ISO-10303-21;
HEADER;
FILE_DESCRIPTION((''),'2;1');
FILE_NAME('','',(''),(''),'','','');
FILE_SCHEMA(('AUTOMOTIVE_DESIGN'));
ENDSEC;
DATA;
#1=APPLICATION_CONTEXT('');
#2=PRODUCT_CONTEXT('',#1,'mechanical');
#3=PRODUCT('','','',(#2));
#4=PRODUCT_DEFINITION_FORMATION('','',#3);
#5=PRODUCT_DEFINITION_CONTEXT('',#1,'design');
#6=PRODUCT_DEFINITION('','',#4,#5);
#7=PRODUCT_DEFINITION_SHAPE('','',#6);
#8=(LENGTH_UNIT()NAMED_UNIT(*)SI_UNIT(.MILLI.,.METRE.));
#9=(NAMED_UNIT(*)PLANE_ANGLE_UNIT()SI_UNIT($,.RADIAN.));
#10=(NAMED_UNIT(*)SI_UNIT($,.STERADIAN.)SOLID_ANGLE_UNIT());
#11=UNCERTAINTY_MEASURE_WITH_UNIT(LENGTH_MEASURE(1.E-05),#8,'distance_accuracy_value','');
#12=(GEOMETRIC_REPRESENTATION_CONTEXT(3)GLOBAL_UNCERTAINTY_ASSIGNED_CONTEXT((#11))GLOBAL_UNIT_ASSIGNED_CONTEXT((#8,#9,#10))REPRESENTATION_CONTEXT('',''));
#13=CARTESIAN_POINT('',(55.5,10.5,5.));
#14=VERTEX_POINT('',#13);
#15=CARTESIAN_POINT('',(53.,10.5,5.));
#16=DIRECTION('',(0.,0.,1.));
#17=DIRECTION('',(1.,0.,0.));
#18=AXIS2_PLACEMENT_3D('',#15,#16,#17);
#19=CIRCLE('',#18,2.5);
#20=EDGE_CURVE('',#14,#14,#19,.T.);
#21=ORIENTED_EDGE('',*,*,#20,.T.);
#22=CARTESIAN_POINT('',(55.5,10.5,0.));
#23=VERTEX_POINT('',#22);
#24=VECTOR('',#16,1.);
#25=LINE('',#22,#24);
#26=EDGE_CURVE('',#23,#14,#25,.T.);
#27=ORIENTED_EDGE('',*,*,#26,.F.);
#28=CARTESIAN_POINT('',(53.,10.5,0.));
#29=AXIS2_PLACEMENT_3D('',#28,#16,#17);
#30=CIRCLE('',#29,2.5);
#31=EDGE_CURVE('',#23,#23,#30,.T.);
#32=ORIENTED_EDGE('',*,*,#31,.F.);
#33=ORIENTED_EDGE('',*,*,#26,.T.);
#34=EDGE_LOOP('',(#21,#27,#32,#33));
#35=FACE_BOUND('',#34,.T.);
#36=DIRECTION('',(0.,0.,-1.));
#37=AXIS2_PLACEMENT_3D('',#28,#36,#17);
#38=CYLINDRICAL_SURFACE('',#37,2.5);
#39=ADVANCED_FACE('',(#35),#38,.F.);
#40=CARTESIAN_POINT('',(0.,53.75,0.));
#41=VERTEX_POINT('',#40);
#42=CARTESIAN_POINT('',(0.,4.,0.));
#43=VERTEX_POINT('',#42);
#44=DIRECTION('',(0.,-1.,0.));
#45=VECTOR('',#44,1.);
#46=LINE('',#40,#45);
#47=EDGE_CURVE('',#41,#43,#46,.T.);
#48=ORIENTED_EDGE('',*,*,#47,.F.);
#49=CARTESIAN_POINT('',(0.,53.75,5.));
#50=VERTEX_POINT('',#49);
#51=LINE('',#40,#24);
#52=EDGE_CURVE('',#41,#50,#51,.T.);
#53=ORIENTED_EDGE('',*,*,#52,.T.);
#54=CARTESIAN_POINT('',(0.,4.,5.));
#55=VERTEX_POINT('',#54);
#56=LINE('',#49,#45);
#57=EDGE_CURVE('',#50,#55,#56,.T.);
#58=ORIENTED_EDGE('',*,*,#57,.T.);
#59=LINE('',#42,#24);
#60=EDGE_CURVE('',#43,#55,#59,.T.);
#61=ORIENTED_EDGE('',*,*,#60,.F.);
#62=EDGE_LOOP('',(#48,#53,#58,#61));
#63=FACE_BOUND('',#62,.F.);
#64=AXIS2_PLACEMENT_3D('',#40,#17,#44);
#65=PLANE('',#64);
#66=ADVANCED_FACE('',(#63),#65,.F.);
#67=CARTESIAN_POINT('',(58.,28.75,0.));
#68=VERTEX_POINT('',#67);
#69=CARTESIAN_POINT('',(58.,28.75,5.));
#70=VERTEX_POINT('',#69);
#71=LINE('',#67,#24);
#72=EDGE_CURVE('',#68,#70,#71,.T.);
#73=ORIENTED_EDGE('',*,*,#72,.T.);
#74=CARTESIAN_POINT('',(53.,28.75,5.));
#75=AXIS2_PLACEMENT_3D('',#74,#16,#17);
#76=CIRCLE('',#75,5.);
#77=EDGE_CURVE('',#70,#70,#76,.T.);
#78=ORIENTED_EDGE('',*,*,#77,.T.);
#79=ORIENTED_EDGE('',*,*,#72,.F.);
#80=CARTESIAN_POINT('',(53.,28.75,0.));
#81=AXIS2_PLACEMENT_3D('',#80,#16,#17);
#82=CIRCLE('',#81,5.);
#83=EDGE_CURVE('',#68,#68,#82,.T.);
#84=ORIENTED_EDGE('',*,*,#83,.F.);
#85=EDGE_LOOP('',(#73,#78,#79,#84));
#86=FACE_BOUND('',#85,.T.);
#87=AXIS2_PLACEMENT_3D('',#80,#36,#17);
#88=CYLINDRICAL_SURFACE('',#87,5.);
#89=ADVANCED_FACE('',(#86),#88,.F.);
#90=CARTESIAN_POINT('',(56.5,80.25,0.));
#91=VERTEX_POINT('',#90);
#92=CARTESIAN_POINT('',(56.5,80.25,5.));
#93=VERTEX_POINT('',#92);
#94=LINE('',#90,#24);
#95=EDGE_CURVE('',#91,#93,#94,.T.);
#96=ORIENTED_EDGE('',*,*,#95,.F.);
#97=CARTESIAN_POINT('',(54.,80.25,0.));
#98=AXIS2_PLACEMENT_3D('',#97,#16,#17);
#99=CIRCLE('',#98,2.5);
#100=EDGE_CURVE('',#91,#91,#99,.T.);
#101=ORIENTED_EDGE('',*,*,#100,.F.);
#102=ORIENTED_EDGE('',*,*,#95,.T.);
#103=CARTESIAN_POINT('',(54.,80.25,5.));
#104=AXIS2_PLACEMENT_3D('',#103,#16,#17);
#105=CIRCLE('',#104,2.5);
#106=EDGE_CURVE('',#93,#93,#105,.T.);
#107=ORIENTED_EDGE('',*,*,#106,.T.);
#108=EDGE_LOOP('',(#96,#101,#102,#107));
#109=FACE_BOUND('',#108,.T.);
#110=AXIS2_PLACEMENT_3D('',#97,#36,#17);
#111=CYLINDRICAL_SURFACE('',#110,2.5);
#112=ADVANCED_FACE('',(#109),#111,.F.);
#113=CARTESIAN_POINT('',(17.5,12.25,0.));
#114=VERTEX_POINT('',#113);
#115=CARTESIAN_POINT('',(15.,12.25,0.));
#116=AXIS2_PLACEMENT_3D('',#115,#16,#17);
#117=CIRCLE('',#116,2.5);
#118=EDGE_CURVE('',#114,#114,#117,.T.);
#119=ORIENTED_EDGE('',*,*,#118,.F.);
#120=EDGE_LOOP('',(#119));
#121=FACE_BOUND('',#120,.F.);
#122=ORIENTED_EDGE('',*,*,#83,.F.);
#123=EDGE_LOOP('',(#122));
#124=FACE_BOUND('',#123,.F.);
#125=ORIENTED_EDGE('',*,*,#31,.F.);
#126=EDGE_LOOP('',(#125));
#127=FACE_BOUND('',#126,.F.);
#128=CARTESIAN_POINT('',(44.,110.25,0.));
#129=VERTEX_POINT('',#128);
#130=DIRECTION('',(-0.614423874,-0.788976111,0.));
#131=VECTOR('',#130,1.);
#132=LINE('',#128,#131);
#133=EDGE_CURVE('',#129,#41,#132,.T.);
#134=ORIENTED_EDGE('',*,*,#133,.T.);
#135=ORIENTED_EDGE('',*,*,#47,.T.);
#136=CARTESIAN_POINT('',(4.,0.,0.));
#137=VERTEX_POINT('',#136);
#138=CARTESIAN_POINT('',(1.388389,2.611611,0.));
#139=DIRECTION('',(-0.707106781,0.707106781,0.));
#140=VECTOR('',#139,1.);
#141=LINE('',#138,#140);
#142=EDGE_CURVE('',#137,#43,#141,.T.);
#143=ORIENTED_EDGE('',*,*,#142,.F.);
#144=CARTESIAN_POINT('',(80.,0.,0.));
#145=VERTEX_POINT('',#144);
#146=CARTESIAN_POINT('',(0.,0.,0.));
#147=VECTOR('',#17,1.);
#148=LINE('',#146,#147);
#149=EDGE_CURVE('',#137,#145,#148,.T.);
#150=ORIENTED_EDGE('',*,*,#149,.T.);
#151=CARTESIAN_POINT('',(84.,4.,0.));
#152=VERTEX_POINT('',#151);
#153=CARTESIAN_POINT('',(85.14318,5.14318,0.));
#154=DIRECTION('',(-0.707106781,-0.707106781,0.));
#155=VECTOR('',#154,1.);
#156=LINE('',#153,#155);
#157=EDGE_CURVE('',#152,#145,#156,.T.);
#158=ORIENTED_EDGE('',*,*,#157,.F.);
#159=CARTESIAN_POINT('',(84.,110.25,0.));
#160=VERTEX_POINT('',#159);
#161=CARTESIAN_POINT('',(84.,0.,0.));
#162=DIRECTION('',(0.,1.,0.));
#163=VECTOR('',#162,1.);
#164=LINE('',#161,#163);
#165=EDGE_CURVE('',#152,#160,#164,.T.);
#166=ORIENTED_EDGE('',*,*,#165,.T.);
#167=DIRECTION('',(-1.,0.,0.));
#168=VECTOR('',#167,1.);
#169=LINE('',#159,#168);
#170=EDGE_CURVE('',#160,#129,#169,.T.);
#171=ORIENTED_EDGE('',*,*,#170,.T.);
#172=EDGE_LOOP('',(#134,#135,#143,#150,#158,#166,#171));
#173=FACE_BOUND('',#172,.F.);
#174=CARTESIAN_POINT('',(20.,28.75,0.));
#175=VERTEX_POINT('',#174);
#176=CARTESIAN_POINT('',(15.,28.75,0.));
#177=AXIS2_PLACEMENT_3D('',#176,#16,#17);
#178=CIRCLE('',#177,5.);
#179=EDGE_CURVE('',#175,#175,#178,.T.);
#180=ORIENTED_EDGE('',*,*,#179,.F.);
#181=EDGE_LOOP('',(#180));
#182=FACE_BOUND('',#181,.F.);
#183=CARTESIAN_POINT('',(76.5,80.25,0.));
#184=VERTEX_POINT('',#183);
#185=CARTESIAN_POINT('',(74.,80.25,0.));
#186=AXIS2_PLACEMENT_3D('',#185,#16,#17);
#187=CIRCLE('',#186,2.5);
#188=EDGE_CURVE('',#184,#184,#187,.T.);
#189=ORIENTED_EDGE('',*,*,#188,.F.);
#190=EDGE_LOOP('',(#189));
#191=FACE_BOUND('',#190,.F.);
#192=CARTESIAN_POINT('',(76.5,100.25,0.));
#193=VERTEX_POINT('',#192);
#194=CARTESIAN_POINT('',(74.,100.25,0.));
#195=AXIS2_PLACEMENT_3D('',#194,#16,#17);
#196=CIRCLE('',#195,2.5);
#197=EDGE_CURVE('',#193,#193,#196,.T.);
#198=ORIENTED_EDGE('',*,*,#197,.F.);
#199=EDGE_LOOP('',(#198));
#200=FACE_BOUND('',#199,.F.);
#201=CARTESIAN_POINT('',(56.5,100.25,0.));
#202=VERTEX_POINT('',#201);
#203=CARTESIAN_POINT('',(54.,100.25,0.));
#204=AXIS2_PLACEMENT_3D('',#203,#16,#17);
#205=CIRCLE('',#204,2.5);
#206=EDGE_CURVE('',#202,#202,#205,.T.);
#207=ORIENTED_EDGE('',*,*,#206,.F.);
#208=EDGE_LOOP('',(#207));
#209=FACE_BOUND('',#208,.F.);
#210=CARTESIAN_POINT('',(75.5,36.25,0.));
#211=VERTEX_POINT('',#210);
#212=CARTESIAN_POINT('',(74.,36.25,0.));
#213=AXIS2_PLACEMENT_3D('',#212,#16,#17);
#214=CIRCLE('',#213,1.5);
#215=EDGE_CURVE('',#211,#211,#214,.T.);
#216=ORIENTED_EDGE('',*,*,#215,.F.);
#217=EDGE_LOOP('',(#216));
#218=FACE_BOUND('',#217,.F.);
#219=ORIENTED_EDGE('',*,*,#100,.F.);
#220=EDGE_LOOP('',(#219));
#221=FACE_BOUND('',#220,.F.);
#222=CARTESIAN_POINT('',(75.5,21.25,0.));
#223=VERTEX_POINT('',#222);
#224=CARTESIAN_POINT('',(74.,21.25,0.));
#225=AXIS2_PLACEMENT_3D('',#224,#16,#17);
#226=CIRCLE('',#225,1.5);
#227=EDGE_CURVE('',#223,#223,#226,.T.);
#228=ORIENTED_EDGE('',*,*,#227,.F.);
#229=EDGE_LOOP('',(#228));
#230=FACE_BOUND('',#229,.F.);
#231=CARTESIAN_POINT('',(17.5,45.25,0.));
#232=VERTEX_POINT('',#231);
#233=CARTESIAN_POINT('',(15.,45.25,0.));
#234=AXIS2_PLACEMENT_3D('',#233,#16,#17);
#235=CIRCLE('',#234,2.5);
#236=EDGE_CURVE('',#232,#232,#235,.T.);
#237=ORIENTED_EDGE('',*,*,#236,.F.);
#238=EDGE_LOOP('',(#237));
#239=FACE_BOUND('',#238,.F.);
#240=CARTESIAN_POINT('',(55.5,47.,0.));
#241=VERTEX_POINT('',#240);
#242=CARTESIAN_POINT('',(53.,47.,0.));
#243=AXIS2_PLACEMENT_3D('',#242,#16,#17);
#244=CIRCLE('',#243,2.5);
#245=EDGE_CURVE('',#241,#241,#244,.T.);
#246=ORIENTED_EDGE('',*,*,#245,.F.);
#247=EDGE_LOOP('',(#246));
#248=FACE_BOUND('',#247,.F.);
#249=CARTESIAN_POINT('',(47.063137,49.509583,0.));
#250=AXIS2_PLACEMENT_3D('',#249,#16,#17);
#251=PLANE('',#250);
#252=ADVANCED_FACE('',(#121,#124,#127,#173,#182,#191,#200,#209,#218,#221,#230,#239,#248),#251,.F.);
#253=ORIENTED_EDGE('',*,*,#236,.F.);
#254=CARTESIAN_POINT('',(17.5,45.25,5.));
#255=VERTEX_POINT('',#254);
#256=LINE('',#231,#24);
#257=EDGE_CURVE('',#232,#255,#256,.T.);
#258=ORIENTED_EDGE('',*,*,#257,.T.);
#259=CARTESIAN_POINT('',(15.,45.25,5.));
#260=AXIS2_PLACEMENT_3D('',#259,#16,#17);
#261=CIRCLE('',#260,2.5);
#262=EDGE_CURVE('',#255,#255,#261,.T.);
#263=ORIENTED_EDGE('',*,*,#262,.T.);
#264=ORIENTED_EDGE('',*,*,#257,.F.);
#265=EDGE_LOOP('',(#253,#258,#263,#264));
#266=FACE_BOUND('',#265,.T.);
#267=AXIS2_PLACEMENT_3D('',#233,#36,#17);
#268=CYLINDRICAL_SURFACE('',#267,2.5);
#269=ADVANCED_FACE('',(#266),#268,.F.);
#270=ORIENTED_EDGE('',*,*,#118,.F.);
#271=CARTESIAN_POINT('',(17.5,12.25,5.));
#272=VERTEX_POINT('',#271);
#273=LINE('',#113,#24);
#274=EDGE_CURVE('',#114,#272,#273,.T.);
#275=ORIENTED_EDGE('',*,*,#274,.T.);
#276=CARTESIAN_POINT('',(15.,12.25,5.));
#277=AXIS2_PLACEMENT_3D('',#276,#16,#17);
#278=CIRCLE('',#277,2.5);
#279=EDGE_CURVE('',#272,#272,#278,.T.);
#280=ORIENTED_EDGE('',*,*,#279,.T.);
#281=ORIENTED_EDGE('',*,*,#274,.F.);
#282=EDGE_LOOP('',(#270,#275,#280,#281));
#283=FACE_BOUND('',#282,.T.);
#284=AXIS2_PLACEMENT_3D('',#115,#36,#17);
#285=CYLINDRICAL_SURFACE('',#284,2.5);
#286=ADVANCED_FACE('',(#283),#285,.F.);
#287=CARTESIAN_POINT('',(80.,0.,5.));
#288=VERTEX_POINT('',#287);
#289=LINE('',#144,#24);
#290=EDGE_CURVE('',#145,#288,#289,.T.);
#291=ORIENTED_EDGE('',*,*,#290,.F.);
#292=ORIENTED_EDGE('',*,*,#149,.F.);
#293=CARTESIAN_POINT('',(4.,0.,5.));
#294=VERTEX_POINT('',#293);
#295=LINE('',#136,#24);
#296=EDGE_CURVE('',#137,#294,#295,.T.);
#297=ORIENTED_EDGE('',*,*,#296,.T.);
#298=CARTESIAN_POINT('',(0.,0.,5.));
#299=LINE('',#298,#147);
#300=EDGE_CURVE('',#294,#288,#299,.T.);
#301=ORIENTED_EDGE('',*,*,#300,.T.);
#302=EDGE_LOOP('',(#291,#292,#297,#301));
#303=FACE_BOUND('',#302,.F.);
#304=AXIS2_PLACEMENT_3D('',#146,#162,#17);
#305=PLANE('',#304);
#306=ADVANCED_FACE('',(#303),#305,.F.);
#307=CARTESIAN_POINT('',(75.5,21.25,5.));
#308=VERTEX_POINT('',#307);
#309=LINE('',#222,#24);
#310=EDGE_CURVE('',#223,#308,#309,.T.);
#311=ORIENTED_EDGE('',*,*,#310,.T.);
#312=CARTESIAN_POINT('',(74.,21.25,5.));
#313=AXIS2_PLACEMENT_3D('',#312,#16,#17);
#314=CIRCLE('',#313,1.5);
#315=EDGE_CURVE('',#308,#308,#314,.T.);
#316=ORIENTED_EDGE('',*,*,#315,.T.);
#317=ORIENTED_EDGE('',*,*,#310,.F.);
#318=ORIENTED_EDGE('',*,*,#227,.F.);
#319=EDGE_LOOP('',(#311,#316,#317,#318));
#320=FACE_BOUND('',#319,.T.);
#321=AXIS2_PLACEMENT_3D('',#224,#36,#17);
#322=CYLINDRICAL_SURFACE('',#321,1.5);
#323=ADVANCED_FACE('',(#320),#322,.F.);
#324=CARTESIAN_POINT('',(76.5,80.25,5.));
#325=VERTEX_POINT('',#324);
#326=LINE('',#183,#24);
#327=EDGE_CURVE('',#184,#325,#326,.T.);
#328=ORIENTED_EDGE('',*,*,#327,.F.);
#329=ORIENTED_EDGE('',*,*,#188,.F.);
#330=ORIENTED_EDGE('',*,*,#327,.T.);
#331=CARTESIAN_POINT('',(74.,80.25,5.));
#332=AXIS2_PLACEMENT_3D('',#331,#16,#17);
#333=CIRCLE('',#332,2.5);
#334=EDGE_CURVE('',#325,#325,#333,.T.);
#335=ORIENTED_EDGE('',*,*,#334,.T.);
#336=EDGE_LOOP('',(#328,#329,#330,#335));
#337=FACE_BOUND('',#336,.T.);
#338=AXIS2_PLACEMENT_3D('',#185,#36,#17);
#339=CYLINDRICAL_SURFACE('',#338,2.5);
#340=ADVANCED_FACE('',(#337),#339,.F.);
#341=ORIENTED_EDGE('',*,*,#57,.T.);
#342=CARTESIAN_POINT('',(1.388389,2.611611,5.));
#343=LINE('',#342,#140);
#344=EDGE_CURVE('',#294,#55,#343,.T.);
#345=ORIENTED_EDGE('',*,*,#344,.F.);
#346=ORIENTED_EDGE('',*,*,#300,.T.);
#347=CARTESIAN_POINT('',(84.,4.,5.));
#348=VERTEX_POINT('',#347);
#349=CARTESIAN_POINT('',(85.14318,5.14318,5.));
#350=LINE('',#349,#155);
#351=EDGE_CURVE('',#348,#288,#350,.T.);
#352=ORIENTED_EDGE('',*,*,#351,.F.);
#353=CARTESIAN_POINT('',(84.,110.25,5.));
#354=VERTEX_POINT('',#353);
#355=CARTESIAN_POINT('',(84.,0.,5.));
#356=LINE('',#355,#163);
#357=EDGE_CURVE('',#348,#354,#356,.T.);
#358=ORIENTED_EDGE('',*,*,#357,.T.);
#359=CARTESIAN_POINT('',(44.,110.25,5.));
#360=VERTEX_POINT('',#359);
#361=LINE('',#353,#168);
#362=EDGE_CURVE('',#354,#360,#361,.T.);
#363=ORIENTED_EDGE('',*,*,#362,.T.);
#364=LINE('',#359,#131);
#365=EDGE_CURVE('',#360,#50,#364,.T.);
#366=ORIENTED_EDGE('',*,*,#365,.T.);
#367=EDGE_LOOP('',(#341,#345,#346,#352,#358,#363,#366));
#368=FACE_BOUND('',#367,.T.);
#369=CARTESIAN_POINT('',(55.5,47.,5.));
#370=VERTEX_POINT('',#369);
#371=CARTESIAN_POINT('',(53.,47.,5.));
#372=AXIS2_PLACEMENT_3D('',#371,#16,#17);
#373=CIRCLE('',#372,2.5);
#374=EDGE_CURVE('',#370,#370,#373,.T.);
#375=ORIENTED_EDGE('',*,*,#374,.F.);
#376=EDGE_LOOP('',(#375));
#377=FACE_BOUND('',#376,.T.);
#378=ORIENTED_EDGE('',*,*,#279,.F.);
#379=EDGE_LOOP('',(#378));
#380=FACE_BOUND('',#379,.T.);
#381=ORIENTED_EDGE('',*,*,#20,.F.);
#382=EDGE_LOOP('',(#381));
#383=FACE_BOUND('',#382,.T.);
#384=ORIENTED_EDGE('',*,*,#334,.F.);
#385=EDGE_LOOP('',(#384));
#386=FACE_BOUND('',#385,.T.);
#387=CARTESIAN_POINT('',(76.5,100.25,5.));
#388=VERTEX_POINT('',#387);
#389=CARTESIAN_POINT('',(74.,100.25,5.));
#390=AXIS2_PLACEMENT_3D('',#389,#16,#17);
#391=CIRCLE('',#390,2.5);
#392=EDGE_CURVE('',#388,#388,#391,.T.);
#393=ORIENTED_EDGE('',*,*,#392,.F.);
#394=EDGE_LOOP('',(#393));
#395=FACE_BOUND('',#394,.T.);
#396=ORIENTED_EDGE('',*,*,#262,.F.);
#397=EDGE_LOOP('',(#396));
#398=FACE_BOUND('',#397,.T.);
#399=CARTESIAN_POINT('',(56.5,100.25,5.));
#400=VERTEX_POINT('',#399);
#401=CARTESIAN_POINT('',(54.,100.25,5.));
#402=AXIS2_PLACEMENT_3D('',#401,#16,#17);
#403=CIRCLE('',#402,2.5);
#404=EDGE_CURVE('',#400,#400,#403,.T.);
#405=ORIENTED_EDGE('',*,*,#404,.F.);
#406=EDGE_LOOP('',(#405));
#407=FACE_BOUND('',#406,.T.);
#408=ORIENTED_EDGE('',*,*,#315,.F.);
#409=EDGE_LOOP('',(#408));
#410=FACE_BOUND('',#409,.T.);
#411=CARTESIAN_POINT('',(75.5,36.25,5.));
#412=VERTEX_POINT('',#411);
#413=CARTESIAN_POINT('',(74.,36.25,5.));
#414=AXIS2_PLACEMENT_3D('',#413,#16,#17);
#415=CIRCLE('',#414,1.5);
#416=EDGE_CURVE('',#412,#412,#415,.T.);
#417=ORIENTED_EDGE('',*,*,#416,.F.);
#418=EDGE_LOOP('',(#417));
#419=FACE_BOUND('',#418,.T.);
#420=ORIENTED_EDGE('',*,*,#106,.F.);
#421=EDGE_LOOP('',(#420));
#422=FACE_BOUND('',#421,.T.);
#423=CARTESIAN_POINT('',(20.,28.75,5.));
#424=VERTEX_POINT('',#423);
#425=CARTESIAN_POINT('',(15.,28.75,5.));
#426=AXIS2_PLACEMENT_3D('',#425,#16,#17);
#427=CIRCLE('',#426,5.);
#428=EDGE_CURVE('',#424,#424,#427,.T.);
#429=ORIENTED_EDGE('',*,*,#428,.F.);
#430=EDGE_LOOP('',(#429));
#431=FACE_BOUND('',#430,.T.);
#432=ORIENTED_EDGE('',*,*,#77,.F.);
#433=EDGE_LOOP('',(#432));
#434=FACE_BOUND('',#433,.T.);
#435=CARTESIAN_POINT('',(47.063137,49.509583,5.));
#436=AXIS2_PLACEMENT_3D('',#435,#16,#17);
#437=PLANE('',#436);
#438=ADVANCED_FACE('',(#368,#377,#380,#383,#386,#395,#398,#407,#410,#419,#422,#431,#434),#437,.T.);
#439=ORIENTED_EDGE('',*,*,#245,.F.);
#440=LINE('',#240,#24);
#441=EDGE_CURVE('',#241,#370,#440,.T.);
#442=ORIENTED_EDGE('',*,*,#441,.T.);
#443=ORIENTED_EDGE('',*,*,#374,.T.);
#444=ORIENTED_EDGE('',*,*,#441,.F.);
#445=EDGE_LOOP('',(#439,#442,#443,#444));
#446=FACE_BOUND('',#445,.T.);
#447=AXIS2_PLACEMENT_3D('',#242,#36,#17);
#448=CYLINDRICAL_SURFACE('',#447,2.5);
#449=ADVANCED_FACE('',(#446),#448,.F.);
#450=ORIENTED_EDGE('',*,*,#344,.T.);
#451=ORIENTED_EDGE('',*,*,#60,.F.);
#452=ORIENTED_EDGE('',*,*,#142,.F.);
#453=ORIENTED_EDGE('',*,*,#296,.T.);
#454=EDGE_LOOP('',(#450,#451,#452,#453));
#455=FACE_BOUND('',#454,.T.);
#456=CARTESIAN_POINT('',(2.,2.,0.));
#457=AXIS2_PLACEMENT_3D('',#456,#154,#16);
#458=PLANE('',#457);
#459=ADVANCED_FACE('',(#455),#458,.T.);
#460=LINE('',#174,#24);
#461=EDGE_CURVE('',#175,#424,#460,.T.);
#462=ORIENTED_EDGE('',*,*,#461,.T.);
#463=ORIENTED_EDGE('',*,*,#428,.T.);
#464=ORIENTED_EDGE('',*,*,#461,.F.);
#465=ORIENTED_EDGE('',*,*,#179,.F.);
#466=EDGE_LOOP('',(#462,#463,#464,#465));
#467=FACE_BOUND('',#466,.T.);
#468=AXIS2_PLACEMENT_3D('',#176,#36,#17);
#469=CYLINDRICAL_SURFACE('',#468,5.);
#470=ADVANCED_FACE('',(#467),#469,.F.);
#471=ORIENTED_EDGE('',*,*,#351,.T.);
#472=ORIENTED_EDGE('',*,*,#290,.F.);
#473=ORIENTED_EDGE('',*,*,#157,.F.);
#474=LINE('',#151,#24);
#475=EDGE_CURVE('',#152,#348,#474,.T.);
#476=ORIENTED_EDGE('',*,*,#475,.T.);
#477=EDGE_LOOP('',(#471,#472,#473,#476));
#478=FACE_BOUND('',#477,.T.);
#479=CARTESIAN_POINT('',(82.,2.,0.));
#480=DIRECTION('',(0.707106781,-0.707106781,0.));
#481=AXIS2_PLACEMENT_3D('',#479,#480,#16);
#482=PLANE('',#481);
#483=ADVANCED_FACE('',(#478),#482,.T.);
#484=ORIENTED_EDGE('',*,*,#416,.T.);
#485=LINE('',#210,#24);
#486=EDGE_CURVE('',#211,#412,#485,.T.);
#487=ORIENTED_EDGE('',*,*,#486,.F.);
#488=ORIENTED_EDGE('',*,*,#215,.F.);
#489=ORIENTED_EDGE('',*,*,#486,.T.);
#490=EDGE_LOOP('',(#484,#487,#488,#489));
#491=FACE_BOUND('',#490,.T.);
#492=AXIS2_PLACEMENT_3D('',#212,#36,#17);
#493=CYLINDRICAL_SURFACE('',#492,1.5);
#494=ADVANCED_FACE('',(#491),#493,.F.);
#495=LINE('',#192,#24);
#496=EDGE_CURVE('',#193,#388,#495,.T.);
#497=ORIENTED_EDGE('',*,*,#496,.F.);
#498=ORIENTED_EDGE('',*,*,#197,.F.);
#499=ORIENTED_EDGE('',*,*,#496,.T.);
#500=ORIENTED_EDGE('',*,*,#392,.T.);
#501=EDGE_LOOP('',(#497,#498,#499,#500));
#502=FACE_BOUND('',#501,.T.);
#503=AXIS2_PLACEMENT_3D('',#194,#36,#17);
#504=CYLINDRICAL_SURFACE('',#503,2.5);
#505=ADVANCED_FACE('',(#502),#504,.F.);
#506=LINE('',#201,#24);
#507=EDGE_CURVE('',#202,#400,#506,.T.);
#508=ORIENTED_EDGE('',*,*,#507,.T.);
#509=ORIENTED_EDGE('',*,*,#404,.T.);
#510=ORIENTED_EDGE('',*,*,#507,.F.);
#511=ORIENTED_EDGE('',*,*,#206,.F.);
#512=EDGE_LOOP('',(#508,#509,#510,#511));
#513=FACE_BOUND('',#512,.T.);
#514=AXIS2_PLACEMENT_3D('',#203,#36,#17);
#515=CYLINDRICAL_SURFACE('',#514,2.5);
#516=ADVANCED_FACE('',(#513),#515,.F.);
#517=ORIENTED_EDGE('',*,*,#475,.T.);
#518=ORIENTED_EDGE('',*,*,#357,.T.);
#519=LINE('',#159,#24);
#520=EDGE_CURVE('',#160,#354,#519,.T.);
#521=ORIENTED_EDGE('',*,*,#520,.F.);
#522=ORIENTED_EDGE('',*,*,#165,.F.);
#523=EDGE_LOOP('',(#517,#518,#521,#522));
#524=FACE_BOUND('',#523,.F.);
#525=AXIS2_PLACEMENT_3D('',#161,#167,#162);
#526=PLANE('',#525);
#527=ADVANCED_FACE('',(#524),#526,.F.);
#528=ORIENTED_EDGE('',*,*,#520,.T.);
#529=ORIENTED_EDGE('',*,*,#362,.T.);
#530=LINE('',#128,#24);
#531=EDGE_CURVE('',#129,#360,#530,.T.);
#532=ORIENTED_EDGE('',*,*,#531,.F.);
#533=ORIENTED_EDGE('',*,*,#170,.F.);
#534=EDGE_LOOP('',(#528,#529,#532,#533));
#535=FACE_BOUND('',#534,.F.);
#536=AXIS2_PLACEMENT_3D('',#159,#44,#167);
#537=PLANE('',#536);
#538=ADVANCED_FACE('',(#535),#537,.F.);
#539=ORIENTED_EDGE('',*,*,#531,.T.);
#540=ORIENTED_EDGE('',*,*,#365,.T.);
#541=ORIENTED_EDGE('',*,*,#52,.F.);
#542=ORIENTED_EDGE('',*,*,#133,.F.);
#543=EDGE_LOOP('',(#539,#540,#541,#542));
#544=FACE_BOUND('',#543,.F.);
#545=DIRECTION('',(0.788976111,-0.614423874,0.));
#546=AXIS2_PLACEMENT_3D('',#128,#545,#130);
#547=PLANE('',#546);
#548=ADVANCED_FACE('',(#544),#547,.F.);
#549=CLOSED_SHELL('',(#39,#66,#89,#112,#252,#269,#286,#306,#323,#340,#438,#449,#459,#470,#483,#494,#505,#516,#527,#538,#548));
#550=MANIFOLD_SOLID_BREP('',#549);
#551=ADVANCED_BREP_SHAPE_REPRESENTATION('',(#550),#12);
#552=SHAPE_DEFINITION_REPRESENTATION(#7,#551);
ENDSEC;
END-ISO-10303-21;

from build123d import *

# Parameters (mm, degrees)
SKETCH_R     = 2.5
SKETCH_R_2   = 5
SKETCH_R_3   = 1.5
PAD_DEPTH    = 5
CHAMFER_SIZE = 4


with BuildPart() as part:
    # Sketch → Pad (new body)
    with BuildSketch(Plane.XY):
        Polygon((84, 110.25), (44, 110.25), (0, 53.75), (0, 0), (84, 0), align=None)
        with Locations((15, 45.25)):
            Circle(SKETCH_R, mode=Mode.SUBTRACT)
        with Locations((15, 12.25)):
            Circle(SKETCH_R, mode=Mode.SUBTRACT)
        with Locations((15, 28.75)):
            Circle(SKETCH_R_2, mode=Mode.SUBTRACT)
        with Locations((53, 47)):
            Circle(SKETCH_R, mode=Mode.SUBTRACT)
        with Locations((53, 28.75)):
            Circle(SKETCH_R_2, mode=Mode.SUBTRACT)
        with Locations((53, 10.5)):
            Circle(SKETCH_R, mode=Mode.SUBTRACT)
        with Locations((54, 80.25)):
            Circle(SKETCH_R, mode=Mode.SUBTRACT)
        with Locations((74, 80.25)):
            Circle(SKETCH_R, mode=Mode.SUBTRACT)
        with Locations((54, 100.25)):
            Circle(SKETCH_R, mode=Mode.SUBTRACT)
        with Locations((74, 100.25)):
            Circle(SKETCH_R, mode=Mode.SUBTRACT)
        with Locations((74, 36.25)):
            Circle(SKETCH_R_3, mode=Mode.SUBTRACT)
        with Locations((74, 21.25)):
            Circle(SKETCH_R_3, mode=Mode.SUBTRACT)
    extrude(amount=PAD_DEPTH)

    # Chamfer
    chamfer_edges = [part.edges().sort_by_distance(p)[0] for p in [
        (0, 0, 2.5),
        (84, 0, 2.5),
    ]]
    chamfer(chamfer_edges, length=CHAMFER_SIZE)


solid = part.part
